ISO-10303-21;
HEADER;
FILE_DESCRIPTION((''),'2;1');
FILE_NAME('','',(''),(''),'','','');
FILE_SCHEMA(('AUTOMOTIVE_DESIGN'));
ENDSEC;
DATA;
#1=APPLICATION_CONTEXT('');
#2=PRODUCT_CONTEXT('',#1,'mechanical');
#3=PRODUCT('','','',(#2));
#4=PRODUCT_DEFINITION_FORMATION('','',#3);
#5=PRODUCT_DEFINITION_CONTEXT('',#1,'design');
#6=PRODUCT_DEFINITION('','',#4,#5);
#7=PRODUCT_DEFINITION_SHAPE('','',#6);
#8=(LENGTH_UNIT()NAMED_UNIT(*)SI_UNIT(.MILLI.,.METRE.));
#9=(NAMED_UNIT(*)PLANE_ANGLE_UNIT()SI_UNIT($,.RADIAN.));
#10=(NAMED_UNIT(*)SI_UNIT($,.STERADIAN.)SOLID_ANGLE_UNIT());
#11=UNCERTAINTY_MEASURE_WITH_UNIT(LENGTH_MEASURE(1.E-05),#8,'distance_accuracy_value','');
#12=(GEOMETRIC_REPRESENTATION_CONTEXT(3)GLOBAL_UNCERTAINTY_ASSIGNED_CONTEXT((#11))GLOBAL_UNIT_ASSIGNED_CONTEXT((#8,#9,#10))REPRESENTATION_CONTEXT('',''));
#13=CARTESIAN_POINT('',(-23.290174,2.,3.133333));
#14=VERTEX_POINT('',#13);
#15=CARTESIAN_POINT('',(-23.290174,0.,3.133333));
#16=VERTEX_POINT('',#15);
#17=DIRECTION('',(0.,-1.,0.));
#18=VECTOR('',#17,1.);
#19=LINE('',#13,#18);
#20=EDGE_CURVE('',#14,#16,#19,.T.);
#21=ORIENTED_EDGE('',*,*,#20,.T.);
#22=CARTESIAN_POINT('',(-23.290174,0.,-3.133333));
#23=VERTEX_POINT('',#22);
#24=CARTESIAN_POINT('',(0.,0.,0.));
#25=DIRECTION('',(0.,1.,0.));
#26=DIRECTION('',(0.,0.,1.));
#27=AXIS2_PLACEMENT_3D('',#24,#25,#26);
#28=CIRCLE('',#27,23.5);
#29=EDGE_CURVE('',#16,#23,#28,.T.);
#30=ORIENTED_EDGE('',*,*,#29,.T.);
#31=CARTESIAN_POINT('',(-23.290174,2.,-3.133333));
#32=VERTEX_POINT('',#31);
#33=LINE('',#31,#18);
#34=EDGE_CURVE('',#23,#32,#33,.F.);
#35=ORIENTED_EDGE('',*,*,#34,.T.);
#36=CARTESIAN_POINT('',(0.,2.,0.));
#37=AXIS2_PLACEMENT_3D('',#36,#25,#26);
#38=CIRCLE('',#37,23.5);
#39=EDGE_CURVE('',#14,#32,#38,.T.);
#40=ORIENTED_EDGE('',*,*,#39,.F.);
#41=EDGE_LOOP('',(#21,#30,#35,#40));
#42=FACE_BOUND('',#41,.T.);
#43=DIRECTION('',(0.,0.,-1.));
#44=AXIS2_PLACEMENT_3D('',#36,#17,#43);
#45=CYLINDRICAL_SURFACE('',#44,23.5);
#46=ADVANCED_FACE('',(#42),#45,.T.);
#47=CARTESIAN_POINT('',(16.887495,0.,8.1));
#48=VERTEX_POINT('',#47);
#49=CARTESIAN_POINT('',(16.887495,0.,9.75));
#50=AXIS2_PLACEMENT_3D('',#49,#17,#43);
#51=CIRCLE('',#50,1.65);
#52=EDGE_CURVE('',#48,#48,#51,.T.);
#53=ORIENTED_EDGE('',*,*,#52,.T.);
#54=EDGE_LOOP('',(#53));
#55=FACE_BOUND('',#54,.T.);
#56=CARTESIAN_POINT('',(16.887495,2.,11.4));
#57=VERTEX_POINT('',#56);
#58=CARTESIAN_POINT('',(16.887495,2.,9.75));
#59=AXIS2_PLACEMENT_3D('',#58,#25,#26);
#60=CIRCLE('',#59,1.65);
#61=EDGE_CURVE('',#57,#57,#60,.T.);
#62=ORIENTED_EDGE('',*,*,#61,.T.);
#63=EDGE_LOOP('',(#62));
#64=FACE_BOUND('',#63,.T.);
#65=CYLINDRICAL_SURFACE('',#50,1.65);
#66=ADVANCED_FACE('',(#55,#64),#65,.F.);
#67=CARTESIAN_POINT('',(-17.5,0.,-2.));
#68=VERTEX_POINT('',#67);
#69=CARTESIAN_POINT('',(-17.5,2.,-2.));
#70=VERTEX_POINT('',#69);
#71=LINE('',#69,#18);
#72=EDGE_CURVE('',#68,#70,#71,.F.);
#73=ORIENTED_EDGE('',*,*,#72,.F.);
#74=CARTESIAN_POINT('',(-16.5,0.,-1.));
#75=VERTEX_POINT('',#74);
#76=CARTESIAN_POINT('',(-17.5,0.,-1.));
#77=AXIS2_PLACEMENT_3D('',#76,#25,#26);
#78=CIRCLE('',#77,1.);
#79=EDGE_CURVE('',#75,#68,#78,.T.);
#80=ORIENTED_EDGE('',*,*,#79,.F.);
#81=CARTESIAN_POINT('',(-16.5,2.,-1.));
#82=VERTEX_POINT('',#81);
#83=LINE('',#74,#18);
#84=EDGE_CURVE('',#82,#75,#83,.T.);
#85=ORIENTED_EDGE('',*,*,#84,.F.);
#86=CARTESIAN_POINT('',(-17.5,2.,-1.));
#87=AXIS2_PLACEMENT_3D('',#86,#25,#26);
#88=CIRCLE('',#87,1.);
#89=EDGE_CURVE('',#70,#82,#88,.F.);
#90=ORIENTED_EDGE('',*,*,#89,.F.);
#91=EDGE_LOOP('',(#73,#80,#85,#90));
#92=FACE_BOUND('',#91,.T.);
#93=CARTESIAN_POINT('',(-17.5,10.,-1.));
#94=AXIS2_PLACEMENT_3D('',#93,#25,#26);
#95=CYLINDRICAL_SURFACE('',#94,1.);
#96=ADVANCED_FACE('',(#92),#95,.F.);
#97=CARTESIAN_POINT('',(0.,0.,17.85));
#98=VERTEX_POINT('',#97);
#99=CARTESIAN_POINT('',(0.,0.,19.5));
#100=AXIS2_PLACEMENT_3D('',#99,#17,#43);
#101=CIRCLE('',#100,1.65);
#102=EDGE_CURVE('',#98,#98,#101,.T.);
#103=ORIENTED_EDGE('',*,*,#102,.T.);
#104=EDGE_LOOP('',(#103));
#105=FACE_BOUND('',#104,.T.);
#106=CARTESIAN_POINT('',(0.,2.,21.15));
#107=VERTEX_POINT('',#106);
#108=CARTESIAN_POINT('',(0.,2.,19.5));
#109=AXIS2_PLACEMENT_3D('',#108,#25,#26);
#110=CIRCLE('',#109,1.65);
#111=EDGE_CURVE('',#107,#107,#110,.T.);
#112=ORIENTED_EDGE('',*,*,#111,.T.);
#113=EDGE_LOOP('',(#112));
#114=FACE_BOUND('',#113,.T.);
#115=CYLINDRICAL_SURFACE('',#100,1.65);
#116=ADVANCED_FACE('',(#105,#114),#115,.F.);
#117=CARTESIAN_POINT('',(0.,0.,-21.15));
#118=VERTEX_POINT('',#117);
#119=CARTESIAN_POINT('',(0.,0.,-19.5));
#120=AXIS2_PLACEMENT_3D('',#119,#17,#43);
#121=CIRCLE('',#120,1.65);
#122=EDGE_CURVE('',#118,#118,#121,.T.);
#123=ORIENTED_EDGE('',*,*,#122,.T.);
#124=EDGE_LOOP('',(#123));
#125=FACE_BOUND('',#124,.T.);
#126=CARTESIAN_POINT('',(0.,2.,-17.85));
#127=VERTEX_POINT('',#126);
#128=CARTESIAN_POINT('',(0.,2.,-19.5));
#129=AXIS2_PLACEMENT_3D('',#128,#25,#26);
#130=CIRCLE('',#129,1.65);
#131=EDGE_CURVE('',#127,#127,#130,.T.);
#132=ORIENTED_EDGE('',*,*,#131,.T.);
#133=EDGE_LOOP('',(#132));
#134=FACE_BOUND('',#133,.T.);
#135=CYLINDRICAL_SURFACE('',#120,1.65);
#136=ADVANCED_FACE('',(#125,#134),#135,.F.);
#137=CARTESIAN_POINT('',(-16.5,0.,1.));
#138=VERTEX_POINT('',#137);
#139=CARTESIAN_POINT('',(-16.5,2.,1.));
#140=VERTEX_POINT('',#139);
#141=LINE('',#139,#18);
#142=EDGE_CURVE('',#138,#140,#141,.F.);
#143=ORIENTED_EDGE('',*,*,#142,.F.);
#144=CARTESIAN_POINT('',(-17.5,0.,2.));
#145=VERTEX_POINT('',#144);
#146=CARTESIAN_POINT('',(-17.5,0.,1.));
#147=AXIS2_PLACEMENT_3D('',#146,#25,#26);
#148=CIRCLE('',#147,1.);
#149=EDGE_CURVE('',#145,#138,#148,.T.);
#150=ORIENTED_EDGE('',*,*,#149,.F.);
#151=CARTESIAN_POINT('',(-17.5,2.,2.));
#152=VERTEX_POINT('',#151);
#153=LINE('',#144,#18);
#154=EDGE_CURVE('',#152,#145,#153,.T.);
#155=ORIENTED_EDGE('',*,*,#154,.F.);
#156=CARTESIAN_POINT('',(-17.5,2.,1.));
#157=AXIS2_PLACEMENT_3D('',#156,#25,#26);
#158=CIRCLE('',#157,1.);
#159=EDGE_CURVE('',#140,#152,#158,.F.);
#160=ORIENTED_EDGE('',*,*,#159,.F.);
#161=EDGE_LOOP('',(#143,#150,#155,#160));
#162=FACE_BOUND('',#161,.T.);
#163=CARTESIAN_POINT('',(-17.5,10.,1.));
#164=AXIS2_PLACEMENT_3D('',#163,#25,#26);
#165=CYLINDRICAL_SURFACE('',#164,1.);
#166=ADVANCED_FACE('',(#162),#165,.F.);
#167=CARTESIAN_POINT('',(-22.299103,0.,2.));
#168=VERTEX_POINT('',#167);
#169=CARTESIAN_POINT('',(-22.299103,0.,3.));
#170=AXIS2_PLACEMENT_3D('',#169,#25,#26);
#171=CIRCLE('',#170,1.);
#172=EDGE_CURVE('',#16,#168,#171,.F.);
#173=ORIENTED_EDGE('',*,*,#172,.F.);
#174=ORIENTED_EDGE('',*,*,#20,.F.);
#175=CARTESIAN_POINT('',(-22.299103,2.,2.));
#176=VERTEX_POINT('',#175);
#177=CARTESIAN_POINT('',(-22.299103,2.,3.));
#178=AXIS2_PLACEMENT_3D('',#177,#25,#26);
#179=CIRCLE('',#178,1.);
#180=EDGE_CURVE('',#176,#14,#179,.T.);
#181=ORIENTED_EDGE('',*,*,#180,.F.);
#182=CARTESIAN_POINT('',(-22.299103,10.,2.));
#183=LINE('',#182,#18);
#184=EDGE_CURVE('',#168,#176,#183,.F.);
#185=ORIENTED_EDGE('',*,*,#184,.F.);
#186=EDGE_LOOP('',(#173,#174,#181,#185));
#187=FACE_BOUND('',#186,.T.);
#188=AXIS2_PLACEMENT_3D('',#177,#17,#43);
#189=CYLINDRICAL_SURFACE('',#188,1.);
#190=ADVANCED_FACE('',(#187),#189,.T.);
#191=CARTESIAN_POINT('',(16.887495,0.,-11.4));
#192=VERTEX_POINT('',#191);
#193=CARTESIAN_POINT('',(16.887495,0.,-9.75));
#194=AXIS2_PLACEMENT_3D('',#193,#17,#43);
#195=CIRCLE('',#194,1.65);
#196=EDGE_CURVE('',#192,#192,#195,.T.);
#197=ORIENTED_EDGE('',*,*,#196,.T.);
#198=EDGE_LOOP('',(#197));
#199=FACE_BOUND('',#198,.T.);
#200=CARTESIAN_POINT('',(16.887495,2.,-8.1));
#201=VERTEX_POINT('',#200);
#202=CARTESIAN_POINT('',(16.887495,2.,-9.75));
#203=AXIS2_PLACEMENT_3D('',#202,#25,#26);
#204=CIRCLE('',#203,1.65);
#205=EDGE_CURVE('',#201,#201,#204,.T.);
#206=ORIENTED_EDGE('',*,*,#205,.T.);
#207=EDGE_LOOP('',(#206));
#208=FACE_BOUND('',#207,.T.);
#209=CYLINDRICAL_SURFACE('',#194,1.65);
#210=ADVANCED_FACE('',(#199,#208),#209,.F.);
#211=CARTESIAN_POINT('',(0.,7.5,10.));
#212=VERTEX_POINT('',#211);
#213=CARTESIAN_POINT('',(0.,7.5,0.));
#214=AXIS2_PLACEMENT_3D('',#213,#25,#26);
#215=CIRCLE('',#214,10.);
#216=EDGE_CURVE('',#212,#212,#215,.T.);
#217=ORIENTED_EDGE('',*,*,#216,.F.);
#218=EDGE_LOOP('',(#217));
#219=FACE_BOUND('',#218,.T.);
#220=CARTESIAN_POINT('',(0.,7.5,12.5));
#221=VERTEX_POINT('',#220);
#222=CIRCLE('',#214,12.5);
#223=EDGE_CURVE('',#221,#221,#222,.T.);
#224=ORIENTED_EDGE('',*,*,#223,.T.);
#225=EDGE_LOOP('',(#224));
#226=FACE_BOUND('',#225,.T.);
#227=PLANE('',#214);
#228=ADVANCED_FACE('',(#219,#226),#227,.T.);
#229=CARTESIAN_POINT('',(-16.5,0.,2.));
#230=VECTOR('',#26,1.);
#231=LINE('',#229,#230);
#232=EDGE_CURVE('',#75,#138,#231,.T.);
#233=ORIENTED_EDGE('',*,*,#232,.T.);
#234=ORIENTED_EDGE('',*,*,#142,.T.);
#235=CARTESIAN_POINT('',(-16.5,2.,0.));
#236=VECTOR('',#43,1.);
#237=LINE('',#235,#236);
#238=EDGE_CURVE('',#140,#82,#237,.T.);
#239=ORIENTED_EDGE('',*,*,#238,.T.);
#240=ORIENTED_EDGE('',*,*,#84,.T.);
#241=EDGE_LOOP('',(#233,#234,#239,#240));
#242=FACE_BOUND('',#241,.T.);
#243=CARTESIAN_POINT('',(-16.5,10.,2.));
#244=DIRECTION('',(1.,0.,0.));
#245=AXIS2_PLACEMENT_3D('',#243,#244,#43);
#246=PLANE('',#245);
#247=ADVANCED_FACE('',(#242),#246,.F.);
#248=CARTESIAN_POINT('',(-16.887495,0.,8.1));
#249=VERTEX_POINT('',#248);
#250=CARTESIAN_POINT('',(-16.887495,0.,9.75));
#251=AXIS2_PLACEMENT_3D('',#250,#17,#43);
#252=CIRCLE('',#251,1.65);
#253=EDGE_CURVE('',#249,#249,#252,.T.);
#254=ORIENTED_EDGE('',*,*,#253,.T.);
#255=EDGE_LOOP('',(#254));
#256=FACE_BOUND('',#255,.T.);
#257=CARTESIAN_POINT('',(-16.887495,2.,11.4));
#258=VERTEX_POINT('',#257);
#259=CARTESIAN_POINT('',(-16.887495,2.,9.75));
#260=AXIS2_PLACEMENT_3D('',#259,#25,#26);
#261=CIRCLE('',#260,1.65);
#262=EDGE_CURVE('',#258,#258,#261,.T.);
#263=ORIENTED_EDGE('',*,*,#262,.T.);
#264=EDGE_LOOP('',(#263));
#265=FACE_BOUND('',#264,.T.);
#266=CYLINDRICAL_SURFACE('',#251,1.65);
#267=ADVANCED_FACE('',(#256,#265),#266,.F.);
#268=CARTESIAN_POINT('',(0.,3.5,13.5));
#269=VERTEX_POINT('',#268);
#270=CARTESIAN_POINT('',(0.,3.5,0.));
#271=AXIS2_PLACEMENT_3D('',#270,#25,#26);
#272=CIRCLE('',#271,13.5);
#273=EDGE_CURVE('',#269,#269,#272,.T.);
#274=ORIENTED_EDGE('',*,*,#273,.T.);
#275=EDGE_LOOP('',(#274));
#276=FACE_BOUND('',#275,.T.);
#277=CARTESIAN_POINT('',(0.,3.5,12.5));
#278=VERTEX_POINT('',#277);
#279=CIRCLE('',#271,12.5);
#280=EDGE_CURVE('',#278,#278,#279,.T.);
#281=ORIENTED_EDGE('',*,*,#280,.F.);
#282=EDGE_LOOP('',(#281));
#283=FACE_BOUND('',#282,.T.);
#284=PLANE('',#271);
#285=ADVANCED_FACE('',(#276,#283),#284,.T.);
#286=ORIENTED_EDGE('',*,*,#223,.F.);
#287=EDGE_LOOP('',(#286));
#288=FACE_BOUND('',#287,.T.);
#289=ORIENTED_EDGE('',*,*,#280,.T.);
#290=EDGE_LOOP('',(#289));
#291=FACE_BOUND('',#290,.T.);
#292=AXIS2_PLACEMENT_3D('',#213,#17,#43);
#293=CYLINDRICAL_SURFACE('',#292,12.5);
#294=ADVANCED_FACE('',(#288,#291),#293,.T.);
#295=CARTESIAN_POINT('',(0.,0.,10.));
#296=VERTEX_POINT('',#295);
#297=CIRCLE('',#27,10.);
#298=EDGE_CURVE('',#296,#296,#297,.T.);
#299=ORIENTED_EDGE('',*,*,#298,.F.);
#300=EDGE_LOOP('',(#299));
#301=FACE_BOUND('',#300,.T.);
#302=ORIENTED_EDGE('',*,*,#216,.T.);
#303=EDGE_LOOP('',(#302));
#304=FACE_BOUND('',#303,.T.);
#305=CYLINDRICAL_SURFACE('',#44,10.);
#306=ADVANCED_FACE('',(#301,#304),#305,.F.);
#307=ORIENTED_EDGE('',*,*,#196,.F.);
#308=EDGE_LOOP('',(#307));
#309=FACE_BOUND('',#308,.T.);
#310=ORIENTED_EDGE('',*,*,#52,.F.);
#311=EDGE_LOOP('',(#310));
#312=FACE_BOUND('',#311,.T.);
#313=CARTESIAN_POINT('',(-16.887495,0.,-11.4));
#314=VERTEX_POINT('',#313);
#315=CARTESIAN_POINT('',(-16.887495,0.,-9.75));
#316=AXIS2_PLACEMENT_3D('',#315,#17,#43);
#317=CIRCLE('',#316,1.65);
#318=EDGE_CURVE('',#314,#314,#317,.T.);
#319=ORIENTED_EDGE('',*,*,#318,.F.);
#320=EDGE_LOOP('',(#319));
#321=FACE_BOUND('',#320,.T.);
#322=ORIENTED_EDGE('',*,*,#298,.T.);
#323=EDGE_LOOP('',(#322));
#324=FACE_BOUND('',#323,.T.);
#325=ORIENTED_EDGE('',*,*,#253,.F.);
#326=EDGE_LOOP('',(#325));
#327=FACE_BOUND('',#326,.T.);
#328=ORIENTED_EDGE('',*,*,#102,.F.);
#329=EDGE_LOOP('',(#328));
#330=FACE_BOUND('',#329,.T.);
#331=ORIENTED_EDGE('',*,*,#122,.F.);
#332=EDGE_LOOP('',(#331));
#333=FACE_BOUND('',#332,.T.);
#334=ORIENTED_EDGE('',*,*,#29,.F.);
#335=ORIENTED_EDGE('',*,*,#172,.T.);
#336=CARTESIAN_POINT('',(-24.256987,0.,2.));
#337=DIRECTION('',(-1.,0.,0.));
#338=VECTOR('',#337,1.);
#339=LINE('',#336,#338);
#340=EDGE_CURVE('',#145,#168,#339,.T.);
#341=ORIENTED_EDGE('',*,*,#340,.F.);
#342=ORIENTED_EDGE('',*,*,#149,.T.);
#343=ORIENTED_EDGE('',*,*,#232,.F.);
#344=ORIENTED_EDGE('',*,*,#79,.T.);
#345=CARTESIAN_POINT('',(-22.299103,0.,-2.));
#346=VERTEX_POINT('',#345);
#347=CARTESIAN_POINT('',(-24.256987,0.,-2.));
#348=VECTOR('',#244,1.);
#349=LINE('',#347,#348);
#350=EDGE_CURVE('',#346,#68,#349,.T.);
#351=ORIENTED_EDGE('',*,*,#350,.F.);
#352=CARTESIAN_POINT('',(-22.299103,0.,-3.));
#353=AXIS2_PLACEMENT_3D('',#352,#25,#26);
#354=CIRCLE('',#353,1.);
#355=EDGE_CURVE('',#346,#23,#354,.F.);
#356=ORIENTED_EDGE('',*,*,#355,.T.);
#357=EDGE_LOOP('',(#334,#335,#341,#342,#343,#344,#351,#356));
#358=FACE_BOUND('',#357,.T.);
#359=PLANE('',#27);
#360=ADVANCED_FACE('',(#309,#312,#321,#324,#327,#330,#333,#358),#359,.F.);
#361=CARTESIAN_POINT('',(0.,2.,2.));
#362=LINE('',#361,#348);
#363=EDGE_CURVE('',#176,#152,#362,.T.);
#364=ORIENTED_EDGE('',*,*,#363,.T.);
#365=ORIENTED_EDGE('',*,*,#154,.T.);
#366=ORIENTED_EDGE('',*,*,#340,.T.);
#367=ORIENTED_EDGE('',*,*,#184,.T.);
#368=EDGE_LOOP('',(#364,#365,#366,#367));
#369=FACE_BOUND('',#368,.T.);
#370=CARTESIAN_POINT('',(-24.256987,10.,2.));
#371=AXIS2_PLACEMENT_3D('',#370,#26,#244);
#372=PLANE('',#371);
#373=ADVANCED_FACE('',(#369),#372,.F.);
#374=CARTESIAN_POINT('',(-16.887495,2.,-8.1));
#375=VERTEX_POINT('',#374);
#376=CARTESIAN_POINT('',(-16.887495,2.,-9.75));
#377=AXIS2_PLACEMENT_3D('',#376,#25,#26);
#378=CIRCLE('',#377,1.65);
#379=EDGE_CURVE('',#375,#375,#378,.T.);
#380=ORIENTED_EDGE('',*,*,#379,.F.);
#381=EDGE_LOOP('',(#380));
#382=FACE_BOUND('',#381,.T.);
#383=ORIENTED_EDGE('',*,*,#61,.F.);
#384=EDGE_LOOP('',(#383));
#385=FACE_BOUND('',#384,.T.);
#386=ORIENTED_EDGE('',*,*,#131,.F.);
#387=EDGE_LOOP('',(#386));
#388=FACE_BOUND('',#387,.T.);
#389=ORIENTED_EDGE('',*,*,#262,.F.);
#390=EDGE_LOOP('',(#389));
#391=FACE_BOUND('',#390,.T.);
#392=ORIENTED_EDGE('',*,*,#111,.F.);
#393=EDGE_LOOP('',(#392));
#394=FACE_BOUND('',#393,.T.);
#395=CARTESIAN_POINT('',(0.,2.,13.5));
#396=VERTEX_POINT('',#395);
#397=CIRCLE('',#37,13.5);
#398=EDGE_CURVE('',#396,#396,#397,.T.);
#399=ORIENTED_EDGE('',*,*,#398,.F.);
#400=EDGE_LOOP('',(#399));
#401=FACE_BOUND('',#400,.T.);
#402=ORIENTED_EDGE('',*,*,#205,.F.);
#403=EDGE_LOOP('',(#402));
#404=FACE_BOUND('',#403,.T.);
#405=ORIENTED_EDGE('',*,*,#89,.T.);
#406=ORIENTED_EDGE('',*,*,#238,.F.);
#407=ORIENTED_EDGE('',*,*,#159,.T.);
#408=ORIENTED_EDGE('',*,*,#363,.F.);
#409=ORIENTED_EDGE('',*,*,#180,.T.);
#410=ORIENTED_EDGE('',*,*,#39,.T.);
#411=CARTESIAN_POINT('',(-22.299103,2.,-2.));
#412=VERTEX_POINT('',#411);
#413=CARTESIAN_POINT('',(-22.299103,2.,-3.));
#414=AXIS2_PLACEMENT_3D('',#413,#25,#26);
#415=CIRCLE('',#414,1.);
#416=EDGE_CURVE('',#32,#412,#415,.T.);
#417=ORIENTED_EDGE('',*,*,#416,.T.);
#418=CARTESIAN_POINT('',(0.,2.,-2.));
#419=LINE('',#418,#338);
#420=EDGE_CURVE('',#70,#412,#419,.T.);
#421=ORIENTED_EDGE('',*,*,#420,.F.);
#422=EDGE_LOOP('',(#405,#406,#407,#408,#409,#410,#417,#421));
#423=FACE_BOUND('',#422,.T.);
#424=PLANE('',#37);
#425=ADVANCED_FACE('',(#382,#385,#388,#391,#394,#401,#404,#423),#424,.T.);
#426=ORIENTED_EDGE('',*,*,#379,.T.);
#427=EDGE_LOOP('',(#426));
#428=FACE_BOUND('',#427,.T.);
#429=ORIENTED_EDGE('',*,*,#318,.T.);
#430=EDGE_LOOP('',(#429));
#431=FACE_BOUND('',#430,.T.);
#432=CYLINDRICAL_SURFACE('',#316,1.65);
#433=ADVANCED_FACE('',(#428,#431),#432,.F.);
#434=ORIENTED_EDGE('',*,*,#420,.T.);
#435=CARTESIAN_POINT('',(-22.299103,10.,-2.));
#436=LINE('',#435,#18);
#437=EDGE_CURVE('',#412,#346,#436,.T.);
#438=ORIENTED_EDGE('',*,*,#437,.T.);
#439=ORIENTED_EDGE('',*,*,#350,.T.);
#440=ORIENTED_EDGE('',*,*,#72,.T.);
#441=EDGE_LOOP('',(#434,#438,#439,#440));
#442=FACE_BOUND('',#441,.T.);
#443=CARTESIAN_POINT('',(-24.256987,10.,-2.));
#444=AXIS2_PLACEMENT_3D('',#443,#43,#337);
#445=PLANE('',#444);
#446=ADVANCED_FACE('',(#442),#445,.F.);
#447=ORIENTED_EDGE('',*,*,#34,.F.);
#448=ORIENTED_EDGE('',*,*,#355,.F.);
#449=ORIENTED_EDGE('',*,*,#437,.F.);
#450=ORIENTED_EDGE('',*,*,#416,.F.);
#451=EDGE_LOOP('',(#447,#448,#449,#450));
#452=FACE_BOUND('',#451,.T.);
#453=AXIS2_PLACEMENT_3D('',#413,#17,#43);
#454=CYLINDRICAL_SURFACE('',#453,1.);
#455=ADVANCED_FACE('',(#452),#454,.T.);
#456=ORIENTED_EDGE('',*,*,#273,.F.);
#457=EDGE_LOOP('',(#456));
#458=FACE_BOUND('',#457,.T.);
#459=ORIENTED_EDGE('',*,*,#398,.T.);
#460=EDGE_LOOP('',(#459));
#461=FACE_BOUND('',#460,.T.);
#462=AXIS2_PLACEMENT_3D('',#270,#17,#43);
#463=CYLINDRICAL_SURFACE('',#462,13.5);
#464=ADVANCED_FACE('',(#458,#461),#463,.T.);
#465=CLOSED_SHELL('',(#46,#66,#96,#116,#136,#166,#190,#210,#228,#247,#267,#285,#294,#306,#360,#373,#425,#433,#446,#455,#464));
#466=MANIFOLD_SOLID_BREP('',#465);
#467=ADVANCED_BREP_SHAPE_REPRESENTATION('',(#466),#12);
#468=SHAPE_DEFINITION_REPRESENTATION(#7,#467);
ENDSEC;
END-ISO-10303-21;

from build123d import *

# Parameters (mm, degrees)
SKETCH_1_R          = 23.5
SKETCH_1_R_2        = 10
SKETCH_1_R_3        = 1
EXTRUDE_1_DEPTH     = 2
SKETCH_2_R          = 12.5
SKETCH_2_R_2        = 10
EXTRUDE_2_DEPTH     = 5.5
SKETCH_3_R          = 13.5
SKETCH_3_R_2        = 12.5
EXTRUDE_3_DEPTH     = 1.5
SKETCH_4_W          = 7.756986748
SKETCH_4_H          = 4
CUT_EXTRUDE_1_DEPTH = 10
FILLET_1_R          = 1
HOLE_WIZARD_M4_1_D  = 3.3


with BuildPart() as part:
    # 草图1 → 凸台-拉伸1 (new body)
    with BuildSketch(Plane(origin=(0, 0, 0), x_dir=(1, 0, 0), z_dir=(0, 1, 0))):
        with Locations(Location((0, 0, 0), (0, 0, 270))):
            Circle(SKETCH_1_R)
        with Locations(Location((0, 0, 0), (0, 0, 270))):
            Circle(SKETCH_1_R_2, mode=Mode.SUBTRACT)
        with Locations(Location((0, 19.5, 0), (0, 0, 270))):
            Circle(SKETCH_1_R_3, mode=Mode.SUBTRACT)
        with Locations(Location((16.887495374, 9.75, 0), (0, 0, 270))):
            Circle(SKETCH_1_R_3, mode=Mode.SUBTRACT)
        with Locations(Location((16.887495374, -9.75, 0), (0, 0, 270))):
            Circle(SKETCH_1_R_3, mode=Mode.SUBTRACT)
        with Locations(Location((0, -19.5, 0), (0, 0, 270))):
            Circle(SKETCH_1_R_3, mode=Mode.SUBTRACT)
        with Locations(Location((-16.887495374, -9.75, 0), (0, 0, 270))):
            Circle(SKETCH_1_R_3, mode=Mode.SUBTRACT)
        with Locations(Location((-16.887495374, 9.75, 0), (0, 0, 270))):
            Circle(SKETCH_1_R_3, mode=Mode.SUBTRACT)
    extrude(amount=EXTRUDE_1_DEPTH)

    # 草图2 → 凸台-拉伸2 (add)
    with BuildSketch(Plane(origin=(0, 2, 0), x_dir=(1, 0, 0), z_dir=(0, 1, 0))):
        with Locations(Location((0, 0, 0), (0, 0, 270))):
            Circle(SKETCH_2_R)
        with Locations(Location((0, 0, 0), (0, 0, 270))):
            Circle(SKETCH_2_R_2, mode=Mode.SUBTRACT)
    extrude(amount=EXTRUDE_2_DEPTH)

    # 草图3 → 凸台-拉伸3 (add)
    with BuildSketch(Plane(origin=(0, 2, 0), x_dir=(1, 0, 0), z_dir=(0, 1, 0))):
        with Locations(Location((0, 0, 0), (0, 0, 270))):
            Circle(SKETCH_3_R)
        with Locations(Location((0, 0, 0), (0, 0, 270))):
            Circle(SKETCH_3_R_2, mode=Mode.SUBTRACT)
    extrude(amount=EXTRUDE_3_DEPTH)

    # 草图4 → 切除-拉伸1 (cut)
    with BuildSketch(Plane.XZ):
        with Locations((-20.378493374, 0)):
            Rectangle(SKETCH_4_W, SKETCH_4_H)
    extrude(amount=-CUT_EXTRUDE_1_DEPTH, mode=Mode.SUBTRACT)

    # 圆角1
    fillet_1_edges = [part.edges().sort_by_distance(p)[0] for p in [
        (-23.414738948, 1, -2),
        (-23.414738948, 1, 2),
        (-16.5, 1, 2),
        (-16.5, 1, -2),
    ]]
    fillet(fillet_1_edges, radius=FILLET_1_R)

    # M4 螺纹孔1 (through all)
    with Locations(Plane(origin=(0, 0, 0), x_dir=(-1, 0, 0), z_dir=(0, -1, 0))):
        with Locations((0, 19.5), (-16.887495374, 9.75), (-16.887495374, -9.75), (0, -19.5), (16.887495374, -9.75), (16.887495374, 9.75)):
            Hole(HOLE_WIZARD_M4_1_D / 2)


solid = part.part
